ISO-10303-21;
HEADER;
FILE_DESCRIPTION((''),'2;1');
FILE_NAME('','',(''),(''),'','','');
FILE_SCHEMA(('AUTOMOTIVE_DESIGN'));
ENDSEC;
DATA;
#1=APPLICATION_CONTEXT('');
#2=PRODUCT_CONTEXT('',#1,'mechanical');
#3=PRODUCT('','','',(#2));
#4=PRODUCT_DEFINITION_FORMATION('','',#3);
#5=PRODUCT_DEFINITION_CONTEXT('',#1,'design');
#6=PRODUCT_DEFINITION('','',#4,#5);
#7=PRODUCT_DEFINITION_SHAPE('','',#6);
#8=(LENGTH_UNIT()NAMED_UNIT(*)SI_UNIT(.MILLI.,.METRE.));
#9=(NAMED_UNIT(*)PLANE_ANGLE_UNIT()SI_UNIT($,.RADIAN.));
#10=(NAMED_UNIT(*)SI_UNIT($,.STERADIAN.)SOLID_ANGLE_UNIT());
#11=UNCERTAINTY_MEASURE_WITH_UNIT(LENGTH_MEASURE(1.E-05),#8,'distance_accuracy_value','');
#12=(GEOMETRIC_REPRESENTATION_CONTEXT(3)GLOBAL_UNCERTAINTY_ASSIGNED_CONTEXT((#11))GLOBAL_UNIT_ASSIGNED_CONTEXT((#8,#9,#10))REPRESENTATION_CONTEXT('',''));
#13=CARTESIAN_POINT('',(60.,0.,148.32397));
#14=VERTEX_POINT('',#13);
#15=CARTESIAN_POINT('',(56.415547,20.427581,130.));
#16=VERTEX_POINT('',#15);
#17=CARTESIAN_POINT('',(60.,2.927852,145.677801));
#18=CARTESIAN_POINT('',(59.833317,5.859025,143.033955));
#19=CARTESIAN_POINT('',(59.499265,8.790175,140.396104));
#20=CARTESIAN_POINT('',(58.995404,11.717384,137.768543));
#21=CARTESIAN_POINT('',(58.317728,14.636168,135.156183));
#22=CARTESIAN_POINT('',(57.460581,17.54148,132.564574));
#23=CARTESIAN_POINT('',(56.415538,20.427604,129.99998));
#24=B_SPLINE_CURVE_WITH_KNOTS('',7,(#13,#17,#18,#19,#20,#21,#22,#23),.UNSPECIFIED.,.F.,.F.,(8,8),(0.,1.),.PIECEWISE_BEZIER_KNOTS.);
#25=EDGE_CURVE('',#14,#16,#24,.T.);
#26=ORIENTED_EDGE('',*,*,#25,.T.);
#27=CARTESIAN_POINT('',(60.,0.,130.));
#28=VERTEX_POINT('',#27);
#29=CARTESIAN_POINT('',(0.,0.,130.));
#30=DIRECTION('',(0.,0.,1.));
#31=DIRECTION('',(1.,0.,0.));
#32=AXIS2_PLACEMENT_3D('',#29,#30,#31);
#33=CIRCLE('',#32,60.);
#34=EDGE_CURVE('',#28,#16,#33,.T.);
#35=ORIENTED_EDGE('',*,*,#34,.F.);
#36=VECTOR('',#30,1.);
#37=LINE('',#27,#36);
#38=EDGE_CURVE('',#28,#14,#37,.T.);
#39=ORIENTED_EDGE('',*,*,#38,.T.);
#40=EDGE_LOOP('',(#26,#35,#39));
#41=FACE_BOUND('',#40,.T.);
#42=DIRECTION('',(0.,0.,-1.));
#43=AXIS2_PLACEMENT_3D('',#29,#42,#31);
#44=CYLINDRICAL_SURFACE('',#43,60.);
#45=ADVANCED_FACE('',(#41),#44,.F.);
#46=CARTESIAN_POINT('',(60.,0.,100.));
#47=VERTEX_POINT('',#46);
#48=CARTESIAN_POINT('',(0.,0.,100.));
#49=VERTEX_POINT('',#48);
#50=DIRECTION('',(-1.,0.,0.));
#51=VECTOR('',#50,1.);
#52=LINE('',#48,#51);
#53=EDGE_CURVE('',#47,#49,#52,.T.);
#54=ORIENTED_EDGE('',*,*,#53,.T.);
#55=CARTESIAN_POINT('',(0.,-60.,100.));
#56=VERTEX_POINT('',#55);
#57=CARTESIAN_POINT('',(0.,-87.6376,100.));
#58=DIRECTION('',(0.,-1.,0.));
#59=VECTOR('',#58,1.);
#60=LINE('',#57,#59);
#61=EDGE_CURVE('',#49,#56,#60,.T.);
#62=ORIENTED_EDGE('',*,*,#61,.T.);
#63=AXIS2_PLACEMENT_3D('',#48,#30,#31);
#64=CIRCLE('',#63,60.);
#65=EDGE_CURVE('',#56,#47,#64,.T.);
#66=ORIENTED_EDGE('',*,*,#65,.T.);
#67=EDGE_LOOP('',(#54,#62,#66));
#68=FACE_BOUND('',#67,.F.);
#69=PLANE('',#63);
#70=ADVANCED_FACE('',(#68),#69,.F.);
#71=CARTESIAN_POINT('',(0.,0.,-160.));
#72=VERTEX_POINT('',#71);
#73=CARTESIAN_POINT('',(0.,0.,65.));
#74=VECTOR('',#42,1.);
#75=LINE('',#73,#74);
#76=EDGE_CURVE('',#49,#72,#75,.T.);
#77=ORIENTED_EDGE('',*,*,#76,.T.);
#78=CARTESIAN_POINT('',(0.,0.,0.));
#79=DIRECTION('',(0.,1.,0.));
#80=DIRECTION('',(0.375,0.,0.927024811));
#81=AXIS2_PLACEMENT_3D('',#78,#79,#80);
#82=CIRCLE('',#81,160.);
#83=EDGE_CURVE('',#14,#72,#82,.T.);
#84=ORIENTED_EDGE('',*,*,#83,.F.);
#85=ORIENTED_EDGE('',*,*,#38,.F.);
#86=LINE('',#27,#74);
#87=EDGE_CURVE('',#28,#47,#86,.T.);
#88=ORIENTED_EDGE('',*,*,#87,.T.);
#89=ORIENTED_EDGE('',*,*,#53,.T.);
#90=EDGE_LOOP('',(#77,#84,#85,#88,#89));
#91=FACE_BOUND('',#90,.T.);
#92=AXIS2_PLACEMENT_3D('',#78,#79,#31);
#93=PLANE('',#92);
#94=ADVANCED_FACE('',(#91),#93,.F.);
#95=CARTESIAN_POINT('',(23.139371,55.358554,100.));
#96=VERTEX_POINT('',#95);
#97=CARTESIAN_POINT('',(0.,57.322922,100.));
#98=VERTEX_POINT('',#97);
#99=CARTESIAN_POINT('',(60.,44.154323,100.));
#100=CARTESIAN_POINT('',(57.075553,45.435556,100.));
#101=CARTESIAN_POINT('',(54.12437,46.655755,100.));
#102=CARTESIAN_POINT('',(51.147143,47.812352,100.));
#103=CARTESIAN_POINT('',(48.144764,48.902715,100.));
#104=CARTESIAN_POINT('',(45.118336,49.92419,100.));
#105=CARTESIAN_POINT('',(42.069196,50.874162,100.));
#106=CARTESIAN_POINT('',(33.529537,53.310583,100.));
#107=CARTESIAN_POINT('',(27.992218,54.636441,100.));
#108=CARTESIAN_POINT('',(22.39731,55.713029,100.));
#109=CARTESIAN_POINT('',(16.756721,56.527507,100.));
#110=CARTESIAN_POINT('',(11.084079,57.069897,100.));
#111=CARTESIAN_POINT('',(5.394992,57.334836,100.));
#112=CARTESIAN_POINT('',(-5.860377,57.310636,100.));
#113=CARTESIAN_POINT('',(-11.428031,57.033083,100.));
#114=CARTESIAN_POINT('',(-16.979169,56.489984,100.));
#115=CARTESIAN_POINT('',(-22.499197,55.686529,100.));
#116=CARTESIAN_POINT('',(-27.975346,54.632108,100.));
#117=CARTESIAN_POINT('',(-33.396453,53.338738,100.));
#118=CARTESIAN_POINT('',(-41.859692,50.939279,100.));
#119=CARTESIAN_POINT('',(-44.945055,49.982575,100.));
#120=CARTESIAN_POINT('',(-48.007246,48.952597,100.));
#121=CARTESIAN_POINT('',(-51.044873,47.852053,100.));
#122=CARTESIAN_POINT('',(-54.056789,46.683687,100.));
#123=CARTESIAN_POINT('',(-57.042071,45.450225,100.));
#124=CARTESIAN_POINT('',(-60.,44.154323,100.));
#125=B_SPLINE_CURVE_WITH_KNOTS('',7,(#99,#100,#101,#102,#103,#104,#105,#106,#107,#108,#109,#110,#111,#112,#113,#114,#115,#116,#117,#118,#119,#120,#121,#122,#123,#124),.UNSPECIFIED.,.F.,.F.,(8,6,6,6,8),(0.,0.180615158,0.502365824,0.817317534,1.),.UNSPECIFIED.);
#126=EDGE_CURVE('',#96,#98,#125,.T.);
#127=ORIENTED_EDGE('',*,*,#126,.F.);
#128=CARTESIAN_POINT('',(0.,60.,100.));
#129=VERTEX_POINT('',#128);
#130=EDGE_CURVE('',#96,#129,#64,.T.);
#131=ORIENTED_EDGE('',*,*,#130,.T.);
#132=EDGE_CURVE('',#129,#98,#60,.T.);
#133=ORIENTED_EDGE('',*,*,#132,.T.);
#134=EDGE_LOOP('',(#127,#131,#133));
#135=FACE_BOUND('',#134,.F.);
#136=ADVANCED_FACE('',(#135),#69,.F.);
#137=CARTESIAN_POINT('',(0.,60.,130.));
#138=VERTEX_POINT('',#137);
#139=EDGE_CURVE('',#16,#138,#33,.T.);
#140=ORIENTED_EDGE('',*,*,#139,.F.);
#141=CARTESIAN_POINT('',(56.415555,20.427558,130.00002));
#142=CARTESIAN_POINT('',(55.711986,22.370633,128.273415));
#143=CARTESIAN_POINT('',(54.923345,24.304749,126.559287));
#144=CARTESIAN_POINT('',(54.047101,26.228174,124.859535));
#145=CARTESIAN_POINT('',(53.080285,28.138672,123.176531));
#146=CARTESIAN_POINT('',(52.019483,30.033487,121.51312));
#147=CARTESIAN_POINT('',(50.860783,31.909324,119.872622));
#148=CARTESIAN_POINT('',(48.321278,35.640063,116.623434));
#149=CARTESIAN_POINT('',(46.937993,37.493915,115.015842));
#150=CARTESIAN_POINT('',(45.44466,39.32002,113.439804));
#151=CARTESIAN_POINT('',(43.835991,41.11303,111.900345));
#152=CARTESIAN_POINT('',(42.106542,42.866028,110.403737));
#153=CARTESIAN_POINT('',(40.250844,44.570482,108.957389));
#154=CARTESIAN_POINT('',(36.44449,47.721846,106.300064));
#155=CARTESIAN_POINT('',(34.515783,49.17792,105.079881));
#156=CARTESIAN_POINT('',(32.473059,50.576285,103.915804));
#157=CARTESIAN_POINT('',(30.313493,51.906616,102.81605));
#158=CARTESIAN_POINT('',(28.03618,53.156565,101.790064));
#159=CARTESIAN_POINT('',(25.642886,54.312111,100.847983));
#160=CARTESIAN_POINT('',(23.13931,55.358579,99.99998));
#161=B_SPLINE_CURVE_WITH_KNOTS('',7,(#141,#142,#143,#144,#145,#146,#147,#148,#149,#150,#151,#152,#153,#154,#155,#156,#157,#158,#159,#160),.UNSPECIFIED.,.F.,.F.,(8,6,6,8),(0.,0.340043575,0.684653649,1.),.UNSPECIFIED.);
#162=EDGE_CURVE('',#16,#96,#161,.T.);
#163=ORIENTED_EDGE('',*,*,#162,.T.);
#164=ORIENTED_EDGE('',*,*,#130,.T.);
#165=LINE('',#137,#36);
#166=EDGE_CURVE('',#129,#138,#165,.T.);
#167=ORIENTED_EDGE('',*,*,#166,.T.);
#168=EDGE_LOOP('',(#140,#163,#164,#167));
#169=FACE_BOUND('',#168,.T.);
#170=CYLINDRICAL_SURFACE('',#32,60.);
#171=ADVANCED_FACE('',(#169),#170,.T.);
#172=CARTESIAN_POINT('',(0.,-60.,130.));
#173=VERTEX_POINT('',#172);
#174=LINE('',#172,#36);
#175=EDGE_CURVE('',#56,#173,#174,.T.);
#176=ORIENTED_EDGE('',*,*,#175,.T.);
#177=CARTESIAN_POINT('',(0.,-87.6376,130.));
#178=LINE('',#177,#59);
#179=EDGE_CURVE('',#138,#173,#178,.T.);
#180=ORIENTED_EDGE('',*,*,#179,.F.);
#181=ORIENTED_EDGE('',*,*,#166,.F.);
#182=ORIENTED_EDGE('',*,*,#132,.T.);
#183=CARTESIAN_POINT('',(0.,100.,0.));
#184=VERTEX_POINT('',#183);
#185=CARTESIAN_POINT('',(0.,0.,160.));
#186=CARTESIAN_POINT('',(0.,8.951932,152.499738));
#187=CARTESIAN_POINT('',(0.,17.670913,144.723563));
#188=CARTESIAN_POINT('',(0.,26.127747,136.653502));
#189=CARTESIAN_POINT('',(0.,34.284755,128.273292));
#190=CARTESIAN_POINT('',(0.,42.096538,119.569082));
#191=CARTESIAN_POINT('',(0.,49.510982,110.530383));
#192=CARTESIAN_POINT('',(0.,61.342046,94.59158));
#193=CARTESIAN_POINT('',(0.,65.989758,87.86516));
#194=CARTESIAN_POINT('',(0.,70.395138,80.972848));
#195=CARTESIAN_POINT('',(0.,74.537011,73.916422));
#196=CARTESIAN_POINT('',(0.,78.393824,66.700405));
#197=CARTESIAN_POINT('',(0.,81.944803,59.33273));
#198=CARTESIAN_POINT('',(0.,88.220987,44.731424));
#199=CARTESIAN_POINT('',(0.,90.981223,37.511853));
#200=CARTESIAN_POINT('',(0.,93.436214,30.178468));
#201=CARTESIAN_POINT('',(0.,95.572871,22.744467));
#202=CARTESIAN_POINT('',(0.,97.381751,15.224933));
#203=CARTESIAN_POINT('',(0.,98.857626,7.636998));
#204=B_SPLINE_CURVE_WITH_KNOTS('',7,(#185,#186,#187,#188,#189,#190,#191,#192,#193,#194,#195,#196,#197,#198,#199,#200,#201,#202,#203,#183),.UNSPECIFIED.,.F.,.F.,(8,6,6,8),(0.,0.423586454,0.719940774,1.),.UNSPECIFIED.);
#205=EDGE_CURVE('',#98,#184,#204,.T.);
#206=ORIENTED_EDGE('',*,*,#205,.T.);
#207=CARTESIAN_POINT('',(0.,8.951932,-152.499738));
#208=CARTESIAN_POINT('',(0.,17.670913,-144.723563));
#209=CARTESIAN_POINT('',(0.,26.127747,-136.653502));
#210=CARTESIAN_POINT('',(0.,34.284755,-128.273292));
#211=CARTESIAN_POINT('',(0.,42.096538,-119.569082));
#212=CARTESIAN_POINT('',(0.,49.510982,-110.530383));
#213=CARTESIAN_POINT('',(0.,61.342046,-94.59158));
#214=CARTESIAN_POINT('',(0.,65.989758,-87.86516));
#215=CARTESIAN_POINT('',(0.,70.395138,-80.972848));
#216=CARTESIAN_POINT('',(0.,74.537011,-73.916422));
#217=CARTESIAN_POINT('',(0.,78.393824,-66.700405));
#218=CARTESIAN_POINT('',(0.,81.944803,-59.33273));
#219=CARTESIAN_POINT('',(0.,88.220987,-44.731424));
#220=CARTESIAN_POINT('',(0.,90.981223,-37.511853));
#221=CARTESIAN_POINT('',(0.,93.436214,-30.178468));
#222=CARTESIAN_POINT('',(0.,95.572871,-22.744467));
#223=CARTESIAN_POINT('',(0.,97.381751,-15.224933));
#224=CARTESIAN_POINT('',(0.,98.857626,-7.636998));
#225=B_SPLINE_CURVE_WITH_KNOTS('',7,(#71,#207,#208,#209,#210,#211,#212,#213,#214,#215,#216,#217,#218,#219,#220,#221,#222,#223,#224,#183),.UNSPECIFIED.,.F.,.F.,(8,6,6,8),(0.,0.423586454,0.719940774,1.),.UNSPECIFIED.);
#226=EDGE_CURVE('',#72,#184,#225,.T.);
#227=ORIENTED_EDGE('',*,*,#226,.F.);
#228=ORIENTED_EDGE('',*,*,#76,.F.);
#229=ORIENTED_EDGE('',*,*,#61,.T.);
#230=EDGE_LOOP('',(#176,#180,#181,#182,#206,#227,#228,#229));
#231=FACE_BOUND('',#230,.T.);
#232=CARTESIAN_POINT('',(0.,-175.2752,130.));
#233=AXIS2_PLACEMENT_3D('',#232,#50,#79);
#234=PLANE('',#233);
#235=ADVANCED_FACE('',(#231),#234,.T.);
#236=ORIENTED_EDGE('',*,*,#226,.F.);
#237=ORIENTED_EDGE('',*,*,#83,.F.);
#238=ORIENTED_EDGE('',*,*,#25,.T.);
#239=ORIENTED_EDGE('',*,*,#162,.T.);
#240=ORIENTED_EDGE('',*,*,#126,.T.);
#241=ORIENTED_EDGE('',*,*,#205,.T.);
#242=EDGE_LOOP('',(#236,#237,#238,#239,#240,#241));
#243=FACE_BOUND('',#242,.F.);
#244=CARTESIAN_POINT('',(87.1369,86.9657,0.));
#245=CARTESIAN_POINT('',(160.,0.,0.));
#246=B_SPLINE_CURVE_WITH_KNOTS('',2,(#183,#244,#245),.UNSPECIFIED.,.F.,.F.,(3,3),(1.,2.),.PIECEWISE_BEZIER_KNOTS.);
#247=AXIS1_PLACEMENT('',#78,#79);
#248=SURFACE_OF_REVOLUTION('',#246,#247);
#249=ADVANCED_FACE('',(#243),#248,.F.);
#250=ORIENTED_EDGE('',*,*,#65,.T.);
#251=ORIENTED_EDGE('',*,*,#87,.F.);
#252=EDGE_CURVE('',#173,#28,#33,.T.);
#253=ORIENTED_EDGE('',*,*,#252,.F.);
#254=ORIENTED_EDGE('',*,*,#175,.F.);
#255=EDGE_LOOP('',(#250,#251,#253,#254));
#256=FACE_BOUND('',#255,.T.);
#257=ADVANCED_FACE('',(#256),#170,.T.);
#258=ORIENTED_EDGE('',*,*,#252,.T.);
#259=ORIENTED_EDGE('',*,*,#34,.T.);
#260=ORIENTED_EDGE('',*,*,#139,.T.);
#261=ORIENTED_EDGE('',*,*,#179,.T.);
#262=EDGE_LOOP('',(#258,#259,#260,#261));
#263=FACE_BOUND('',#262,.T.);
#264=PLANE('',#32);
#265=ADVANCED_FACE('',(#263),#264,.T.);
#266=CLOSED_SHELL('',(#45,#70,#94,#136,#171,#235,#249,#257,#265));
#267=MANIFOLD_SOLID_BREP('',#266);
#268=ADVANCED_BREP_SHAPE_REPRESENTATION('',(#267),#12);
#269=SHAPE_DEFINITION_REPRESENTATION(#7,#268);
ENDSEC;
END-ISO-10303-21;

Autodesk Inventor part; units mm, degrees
ref_plane "YZ Plane" through (0, 0, 0) normal (1, 0, 0) x (0, 1, 0)
ref_plane "XZ Plane" through (0, 0, 0) normal (0, 1, 0) x (-1, 0, 0)
sketch "Esquisse1" plane through (0, 0, 0) normal (0, 0, 1) x (1, 0, 0)
  line L0 (0, 0) -> (160, 0) construction
  line L1 (0, 0) -> (0, 100) construction
  line L2 (0, 100) -> (87.1369, 86.9657) construction
  line L3 (87.1369, 86.9657) -> (160, 0) construction
  spline S0 degree 2 poles (0, 100) (87.1369, 86.9657) (160, 0) knots 1 1 1 2 2 2
  line L4 (0, 100) -> (0, 0)
  line L5 (0, 0) -> (160, 0)
  dimension "d0" = 160
  dimension "d1" = 100
revolve "Révolution1" add sketch "Esquisse1" angle 360 about axis through (0, 0, 0) along (0, 1, 0)
ref_plane "Plan de construction1" through (0, 0, 130) normal (0, 0, 1) x (1, 0, 0)
sketch "Esquisse3" plane through (0, 0, 130) normal (0, 0, 1) x (1, 0, 0)
  circle A0 centre (0, 0) radius 60
  dimension "d8" = 120
extrude "Extrusion2" add sketch "Esquisse3" against normal blind 30
sketch "Esquisse4" plane through (0, 0, 130) normal (0, 0, 1) x (1, 0, 0)
  circle A0 centre (0, 0) radius 60
  dimension "d11" = 120
extrude "Extrusion3" cut sketch "Esquisse4" along normal blind 30
sketch "Esquisse5" plane through (0, 0, 130) normal (0, 0, 1) x (1, 0, 0)
  line L0 (0, 104.5893) -> (-176.6682, 104.5893)
  line L1 (-176.6682, 104.5893) -> (-176.6682, -175.2752)
  line L2 (-176.6682, -175.2752) -> (0, -175.2752)
  line L3 (0, -175.2752) -> (0, 104.5893)
  point P0 (0, 0)
extrude "Extrusion4" cut sketch "Esquisse5" along normal mid plane 800
properties part number "LeftSide"
